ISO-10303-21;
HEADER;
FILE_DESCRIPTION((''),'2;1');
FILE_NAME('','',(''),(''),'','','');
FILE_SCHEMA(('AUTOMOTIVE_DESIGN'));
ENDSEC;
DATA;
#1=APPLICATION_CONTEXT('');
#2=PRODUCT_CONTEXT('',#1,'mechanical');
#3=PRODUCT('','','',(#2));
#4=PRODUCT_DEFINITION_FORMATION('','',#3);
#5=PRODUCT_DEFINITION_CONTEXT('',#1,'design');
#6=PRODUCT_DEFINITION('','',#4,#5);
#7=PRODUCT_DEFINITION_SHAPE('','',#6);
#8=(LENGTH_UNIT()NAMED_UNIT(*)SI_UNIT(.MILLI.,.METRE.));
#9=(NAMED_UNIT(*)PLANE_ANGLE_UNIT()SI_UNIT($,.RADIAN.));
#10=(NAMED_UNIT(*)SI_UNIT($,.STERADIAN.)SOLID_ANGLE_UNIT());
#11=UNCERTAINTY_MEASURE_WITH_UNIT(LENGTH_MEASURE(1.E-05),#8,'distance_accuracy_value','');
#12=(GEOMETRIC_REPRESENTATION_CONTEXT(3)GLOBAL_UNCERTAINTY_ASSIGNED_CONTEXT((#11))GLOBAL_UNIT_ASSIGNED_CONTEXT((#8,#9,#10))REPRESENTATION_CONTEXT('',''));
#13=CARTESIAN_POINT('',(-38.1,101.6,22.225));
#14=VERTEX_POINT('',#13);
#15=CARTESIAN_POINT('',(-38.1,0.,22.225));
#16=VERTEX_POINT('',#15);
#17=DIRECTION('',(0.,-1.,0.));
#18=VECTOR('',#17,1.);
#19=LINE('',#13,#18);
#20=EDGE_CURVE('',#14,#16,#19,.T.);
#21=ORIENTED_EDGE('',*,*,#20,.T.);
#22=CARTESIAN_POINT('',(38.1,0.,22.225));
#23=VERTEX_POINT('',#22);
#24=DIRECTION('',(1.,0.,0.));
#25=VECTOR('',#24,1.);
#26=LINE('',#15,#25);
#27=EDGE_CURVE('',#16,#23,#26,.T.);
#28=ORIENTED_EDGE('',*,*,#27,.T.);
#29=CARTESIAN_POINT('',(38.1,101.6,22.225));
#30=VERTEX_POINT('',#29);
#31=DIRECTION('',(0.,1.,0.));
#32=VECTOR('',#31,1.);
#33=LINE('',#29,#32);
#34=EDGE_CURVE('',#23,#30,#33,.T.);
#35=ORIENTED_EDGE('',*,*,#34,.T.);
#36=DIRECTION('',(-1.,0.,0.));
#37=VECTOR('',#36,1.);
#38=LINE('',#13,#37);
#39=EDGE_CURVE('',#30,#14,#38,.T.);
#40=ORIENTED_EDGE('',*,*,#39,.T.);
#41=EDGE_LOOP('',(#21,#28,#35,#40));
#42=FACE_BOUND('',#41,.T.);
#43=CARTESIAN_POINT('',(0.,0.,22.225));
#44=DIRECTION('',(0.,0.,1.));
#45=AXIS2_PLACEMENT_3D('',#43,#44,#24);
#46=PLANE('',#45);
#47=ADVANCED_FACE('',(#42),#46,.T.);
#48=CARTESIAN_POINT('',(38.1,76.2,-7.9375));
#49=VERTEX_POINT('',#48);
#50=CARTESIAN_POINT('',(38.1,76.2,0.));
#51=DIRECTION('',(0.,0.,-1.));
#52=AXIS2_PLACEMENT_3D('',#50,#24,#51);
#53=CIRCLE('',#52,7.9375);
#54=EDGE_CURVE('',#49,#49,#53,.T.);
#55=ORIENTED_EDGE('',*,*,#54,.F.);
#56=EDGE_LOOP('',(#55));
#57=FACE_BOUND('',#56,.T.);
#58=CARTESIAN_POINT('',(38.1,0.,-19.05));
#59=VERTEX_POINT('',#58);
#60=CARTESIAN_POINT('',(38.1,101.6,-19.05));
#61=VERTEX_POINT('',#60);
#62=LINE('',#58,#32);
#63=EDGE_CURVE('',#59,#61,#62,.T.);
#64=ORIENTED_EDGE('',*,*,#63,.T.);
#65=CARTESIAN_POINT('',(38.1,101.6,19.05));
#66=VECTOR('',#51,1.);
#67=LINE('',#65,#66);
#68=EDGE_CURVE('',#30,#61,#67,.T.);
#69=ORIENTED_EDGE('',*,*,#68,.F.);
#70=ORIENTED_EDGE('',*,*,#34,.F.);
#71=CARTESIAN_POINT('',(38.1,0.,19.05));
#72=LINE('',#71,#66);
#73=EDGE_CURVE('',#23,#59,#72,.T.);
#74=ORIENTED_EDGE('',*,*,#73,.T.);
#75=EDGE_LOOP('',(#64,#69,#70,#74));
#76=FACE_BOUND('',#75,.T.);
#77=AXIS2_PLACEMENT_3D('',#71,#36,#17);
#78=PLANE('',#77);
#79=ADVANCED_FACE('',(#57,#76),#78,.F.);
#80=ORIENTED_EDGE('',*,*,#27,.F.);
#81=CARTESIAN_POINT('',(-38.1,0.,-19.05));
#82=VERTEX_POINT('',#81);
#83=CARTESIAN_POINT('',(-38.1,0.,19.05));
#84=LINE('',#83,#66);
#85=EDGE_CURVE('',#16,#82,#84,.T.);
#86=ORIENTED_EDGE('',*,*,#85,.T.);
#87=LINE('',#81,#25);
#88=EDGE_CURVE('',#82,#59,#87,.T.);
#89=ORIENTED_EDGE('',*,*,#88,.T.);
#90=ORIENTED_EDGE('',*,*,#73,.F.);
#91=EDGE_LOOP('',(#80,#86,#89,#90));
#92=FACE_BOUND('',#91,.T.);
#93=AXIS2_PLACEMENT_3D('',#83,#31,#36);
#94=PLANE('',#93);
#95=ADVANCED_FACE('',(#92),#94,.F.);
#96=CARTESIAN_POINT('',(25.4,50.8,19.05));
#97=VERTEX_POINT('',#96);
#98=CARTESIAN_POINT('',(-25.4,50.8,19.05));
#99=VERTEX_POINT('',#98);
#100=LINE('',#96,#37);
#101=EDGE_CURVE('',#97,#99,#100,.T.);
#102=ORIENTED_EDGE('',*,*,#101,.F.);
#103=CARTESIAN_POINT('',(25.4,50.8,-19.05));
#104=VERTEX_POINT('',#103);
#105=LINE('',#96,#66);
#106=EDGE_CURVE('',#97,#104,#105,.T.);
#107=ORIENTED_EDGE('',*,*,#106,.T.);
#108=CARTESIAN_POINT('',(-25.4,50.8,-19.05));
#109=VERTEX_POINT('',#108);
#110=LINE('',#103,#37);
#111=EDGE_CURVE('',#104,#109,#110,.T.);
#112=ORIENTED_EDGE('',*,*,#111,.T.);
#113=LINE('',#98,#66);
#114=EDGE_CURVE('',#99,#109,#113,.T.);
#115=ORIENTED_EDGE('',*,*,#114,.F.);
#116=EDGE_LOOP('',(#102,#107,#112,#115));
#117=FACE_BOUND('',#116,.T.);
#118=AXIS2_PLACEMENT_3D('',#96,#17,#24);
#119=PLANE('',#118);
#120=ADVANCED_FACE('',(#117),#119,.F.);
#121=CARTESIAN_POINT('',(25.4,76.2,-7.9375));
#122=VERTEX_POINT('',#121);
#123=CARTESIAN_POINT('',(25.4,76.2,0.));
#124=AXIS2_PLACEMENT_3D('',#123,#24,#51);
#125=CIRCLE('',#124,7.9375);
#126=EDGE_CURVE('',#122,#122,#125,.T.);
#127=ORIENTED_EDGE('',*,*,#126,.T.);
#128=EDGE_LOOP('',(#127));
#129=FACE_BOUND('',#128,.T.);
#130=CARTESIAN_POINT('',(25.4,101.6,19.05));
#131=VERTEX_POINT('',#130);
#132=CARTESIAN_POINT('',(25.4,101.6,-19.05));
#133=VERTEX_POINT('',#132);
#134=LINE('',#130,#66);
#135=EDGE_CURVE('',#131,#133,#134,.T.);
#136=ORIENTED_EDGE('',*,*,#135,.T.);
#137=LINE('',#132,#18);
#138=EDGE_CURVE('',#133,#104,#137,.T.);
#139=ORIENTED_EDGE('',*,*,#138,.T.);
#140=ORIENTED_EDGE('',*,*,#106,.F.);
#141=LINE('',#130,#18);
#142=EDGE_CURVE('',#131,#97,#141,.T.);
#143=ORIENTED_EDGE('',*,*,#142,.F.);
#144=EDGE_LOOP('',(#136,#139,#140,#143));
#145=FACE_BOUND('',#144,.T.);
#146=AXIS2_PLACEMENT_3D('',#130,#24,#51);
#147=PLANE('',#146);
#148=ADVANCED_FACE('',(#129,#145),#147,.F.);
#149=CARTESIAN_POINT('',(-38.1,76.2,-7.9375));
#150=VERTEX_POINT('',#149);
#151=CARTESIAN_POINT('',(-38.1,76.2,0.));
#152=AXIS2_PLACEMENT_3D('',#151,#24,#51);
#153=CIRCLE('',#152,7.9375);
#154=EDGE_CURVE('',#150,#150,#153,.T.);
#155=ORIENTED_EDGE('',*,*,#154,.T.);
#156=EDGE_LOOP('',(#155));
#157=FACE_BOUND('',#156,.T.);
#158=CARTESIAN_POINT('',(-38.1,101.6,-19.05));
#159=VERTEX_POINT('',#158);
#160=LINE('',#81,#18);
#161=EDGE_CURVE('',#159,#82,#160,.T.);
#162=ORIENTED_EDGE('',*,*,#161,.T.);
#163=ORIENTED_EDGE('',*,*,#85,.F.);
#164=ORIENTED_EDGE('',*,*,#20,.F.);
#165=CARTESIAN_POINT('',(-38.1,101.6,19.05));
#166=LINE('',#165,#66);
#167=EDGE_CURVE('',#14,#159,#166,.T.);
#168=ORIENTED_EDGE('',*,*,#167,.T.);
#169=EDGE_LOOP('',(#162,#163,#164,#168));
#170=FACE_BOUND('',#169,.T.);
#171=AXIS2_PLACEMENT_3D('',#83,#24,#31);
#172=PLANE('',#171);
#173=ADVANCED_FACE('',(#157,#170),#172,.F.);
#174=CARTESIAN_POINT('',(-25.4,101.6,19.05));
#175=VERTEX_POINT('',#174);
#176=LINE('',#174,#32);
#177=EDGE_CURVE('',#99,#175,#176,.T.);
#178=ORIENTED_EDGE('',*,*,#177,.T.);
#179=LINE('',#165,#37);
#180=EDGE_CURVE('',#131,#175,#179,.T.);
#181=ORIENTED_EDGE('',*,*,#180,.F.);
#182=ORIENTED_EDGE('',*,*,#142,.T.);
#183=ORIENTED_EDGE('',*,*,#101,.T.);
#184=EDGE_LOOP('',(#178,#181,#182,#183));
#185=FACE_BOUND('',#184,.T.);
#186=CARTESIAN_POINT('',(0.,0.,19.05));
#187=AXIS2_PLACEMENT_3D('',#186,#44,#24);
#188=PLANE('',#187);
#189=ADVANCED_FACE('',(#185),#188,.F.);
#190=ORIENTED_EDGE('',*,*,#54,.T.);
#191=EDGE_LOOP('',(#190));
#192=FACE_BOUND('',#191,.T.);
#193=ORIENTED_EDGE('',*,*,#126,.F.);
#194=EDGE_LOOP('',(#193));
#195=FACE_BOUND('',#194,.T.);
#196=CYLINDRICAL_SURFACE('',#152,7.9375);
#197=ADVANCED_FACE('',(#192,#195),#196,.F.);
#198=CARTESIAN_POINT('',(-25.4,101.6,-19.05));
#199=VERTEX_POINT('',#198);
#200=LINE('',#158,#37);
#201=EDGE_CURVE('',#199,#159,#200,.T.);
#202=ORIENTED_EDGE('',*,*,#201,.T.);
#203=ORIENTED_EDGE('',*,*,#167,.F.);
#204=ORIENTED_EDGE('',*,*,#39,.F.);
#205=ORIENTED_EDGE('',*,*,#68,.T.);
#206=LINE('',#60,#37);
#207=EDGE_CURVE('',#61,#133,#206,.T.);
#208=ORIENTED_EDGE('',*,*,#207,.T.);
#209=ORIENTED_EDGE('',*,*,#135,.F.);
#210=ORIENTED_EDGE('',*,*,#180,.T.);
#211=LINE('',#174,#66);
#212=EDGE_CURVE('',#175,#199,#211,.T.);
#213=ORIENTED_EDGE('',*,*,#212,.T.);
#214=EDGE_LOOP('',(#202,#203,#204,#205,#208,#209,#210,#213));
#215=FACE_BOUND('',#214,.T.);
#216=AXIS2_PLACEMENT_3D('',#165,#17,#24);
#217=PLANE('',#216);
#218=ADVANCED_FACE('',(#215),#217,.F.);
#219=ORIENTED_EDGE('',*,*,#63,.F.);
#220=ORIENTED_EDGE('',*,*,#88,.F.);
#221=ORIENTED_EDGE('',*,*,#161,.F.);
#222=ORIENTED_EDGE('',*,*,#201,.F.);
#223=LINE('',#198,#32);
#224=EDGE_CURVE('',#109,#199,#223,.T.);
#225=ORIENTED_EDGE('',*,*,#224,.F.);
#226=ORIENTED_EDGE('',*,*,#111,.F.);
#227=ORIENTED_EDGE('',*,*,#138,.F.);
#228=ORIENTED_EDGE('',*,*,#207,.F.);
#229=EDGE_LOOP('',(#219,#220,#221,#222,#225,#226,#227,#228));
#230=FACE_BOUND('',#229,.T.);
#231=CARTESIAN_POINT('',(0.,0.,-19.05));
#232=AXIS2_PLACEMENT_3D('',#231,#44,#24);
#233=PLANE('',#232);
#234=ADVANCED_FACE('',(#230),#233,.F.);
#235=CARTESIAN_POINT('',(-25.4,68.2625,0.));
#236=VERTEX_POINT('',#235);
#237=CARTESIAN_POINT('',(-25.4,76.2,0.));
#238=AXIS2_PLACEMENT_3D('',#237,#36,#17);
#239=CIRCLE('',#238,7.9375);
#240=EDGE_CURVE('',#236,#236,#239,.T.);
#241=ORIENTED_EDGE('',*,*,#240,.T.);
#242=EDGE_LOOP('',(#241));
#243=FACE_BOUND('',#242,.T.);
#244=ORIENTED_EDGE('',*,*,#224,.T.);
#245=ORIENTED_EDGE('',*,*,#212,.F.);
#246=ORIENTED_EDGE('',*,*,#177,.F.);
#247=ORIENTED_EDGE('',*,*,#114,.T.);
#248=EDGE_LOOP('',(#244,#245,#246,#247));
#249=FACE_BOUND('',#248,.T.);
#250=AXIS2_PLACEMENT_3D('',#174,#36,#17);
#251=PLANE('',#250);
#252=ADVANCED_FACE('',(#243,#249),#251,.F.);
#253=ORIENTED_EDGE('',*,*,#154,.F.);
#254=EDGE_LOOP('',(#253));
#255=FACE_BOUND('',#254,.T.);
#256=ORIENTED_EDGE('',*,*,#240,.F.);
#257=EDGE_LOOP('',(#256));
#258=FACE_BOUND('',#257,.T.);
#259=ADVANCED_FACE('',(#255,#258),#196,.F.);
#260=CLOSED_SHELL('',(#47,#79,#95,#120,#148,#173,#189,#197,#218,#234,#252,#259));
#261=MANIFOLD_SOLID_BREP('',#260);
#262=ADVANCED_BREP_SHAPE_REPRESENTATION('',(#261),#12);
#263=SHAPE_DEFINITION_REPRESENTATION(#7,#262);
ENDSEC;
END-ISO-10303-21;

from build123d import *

# Parameters (mm, degrees)
BOSS_EXTRUDE1_DEPTH     = 19.05
CUT_EXTRUDE1_DEPTH      = 111.168382488
CUT_EXTRUDE1_DEPTH_BACK = 111.168382488
SKETCH2_R               = 7.9375
SKETCH3_W               = 76.2
SKETCH3_H               = 101.6
BOSS_EXTRUDE2_DEPTH     = 3.175


with BuildPart() as part:
    # Sketch1 → Boss-Extrude1 (new, symmetric)
    with BuildSketch(Plane.XY):
        Polygon((-38.1, 0), (38.1, 0), (38.1, 101.6), (25.4, 101.6), (25.4, 50.8), (-25.4, 50.8), (-25.4, 101.6), (-38.1, 101.6), align=None)
    extrude(amount=BOSS_EXTRUDE1_DEPTH, both=True)

    # Sketch2 → Cut-Extrude1 (cut, two sides: drawn at the far end of the back side and taken through both)
    with BuildSketch(Plane(origin=(0, 0, 0), x_dir=(0, 0, -1), z_dir=(1, 0, 0)).offset(-CUT_EXTRUDE1_DEPTH_BACK)):
        with Locations((0, 76.2)):
            Circle(SKETCH2_R)
    extrude(amount=CUT_EXTRUDE1_DEPTH + CUT_EXTRUDE1_DEPTH_BACK, mode=Mode.SUBTRACT)

    # Sketch3 → Boss-Extrude2 (add)
    with BuildSketch(Plane.XY.offset(19.05)):
        with Locations((0, 50.8)):
            Rectangle(SKETCH3_W, SKETCH3_H)
    extrude(amount=BOSS_EXTRUDE2_DEPTH)


solid = part.part
